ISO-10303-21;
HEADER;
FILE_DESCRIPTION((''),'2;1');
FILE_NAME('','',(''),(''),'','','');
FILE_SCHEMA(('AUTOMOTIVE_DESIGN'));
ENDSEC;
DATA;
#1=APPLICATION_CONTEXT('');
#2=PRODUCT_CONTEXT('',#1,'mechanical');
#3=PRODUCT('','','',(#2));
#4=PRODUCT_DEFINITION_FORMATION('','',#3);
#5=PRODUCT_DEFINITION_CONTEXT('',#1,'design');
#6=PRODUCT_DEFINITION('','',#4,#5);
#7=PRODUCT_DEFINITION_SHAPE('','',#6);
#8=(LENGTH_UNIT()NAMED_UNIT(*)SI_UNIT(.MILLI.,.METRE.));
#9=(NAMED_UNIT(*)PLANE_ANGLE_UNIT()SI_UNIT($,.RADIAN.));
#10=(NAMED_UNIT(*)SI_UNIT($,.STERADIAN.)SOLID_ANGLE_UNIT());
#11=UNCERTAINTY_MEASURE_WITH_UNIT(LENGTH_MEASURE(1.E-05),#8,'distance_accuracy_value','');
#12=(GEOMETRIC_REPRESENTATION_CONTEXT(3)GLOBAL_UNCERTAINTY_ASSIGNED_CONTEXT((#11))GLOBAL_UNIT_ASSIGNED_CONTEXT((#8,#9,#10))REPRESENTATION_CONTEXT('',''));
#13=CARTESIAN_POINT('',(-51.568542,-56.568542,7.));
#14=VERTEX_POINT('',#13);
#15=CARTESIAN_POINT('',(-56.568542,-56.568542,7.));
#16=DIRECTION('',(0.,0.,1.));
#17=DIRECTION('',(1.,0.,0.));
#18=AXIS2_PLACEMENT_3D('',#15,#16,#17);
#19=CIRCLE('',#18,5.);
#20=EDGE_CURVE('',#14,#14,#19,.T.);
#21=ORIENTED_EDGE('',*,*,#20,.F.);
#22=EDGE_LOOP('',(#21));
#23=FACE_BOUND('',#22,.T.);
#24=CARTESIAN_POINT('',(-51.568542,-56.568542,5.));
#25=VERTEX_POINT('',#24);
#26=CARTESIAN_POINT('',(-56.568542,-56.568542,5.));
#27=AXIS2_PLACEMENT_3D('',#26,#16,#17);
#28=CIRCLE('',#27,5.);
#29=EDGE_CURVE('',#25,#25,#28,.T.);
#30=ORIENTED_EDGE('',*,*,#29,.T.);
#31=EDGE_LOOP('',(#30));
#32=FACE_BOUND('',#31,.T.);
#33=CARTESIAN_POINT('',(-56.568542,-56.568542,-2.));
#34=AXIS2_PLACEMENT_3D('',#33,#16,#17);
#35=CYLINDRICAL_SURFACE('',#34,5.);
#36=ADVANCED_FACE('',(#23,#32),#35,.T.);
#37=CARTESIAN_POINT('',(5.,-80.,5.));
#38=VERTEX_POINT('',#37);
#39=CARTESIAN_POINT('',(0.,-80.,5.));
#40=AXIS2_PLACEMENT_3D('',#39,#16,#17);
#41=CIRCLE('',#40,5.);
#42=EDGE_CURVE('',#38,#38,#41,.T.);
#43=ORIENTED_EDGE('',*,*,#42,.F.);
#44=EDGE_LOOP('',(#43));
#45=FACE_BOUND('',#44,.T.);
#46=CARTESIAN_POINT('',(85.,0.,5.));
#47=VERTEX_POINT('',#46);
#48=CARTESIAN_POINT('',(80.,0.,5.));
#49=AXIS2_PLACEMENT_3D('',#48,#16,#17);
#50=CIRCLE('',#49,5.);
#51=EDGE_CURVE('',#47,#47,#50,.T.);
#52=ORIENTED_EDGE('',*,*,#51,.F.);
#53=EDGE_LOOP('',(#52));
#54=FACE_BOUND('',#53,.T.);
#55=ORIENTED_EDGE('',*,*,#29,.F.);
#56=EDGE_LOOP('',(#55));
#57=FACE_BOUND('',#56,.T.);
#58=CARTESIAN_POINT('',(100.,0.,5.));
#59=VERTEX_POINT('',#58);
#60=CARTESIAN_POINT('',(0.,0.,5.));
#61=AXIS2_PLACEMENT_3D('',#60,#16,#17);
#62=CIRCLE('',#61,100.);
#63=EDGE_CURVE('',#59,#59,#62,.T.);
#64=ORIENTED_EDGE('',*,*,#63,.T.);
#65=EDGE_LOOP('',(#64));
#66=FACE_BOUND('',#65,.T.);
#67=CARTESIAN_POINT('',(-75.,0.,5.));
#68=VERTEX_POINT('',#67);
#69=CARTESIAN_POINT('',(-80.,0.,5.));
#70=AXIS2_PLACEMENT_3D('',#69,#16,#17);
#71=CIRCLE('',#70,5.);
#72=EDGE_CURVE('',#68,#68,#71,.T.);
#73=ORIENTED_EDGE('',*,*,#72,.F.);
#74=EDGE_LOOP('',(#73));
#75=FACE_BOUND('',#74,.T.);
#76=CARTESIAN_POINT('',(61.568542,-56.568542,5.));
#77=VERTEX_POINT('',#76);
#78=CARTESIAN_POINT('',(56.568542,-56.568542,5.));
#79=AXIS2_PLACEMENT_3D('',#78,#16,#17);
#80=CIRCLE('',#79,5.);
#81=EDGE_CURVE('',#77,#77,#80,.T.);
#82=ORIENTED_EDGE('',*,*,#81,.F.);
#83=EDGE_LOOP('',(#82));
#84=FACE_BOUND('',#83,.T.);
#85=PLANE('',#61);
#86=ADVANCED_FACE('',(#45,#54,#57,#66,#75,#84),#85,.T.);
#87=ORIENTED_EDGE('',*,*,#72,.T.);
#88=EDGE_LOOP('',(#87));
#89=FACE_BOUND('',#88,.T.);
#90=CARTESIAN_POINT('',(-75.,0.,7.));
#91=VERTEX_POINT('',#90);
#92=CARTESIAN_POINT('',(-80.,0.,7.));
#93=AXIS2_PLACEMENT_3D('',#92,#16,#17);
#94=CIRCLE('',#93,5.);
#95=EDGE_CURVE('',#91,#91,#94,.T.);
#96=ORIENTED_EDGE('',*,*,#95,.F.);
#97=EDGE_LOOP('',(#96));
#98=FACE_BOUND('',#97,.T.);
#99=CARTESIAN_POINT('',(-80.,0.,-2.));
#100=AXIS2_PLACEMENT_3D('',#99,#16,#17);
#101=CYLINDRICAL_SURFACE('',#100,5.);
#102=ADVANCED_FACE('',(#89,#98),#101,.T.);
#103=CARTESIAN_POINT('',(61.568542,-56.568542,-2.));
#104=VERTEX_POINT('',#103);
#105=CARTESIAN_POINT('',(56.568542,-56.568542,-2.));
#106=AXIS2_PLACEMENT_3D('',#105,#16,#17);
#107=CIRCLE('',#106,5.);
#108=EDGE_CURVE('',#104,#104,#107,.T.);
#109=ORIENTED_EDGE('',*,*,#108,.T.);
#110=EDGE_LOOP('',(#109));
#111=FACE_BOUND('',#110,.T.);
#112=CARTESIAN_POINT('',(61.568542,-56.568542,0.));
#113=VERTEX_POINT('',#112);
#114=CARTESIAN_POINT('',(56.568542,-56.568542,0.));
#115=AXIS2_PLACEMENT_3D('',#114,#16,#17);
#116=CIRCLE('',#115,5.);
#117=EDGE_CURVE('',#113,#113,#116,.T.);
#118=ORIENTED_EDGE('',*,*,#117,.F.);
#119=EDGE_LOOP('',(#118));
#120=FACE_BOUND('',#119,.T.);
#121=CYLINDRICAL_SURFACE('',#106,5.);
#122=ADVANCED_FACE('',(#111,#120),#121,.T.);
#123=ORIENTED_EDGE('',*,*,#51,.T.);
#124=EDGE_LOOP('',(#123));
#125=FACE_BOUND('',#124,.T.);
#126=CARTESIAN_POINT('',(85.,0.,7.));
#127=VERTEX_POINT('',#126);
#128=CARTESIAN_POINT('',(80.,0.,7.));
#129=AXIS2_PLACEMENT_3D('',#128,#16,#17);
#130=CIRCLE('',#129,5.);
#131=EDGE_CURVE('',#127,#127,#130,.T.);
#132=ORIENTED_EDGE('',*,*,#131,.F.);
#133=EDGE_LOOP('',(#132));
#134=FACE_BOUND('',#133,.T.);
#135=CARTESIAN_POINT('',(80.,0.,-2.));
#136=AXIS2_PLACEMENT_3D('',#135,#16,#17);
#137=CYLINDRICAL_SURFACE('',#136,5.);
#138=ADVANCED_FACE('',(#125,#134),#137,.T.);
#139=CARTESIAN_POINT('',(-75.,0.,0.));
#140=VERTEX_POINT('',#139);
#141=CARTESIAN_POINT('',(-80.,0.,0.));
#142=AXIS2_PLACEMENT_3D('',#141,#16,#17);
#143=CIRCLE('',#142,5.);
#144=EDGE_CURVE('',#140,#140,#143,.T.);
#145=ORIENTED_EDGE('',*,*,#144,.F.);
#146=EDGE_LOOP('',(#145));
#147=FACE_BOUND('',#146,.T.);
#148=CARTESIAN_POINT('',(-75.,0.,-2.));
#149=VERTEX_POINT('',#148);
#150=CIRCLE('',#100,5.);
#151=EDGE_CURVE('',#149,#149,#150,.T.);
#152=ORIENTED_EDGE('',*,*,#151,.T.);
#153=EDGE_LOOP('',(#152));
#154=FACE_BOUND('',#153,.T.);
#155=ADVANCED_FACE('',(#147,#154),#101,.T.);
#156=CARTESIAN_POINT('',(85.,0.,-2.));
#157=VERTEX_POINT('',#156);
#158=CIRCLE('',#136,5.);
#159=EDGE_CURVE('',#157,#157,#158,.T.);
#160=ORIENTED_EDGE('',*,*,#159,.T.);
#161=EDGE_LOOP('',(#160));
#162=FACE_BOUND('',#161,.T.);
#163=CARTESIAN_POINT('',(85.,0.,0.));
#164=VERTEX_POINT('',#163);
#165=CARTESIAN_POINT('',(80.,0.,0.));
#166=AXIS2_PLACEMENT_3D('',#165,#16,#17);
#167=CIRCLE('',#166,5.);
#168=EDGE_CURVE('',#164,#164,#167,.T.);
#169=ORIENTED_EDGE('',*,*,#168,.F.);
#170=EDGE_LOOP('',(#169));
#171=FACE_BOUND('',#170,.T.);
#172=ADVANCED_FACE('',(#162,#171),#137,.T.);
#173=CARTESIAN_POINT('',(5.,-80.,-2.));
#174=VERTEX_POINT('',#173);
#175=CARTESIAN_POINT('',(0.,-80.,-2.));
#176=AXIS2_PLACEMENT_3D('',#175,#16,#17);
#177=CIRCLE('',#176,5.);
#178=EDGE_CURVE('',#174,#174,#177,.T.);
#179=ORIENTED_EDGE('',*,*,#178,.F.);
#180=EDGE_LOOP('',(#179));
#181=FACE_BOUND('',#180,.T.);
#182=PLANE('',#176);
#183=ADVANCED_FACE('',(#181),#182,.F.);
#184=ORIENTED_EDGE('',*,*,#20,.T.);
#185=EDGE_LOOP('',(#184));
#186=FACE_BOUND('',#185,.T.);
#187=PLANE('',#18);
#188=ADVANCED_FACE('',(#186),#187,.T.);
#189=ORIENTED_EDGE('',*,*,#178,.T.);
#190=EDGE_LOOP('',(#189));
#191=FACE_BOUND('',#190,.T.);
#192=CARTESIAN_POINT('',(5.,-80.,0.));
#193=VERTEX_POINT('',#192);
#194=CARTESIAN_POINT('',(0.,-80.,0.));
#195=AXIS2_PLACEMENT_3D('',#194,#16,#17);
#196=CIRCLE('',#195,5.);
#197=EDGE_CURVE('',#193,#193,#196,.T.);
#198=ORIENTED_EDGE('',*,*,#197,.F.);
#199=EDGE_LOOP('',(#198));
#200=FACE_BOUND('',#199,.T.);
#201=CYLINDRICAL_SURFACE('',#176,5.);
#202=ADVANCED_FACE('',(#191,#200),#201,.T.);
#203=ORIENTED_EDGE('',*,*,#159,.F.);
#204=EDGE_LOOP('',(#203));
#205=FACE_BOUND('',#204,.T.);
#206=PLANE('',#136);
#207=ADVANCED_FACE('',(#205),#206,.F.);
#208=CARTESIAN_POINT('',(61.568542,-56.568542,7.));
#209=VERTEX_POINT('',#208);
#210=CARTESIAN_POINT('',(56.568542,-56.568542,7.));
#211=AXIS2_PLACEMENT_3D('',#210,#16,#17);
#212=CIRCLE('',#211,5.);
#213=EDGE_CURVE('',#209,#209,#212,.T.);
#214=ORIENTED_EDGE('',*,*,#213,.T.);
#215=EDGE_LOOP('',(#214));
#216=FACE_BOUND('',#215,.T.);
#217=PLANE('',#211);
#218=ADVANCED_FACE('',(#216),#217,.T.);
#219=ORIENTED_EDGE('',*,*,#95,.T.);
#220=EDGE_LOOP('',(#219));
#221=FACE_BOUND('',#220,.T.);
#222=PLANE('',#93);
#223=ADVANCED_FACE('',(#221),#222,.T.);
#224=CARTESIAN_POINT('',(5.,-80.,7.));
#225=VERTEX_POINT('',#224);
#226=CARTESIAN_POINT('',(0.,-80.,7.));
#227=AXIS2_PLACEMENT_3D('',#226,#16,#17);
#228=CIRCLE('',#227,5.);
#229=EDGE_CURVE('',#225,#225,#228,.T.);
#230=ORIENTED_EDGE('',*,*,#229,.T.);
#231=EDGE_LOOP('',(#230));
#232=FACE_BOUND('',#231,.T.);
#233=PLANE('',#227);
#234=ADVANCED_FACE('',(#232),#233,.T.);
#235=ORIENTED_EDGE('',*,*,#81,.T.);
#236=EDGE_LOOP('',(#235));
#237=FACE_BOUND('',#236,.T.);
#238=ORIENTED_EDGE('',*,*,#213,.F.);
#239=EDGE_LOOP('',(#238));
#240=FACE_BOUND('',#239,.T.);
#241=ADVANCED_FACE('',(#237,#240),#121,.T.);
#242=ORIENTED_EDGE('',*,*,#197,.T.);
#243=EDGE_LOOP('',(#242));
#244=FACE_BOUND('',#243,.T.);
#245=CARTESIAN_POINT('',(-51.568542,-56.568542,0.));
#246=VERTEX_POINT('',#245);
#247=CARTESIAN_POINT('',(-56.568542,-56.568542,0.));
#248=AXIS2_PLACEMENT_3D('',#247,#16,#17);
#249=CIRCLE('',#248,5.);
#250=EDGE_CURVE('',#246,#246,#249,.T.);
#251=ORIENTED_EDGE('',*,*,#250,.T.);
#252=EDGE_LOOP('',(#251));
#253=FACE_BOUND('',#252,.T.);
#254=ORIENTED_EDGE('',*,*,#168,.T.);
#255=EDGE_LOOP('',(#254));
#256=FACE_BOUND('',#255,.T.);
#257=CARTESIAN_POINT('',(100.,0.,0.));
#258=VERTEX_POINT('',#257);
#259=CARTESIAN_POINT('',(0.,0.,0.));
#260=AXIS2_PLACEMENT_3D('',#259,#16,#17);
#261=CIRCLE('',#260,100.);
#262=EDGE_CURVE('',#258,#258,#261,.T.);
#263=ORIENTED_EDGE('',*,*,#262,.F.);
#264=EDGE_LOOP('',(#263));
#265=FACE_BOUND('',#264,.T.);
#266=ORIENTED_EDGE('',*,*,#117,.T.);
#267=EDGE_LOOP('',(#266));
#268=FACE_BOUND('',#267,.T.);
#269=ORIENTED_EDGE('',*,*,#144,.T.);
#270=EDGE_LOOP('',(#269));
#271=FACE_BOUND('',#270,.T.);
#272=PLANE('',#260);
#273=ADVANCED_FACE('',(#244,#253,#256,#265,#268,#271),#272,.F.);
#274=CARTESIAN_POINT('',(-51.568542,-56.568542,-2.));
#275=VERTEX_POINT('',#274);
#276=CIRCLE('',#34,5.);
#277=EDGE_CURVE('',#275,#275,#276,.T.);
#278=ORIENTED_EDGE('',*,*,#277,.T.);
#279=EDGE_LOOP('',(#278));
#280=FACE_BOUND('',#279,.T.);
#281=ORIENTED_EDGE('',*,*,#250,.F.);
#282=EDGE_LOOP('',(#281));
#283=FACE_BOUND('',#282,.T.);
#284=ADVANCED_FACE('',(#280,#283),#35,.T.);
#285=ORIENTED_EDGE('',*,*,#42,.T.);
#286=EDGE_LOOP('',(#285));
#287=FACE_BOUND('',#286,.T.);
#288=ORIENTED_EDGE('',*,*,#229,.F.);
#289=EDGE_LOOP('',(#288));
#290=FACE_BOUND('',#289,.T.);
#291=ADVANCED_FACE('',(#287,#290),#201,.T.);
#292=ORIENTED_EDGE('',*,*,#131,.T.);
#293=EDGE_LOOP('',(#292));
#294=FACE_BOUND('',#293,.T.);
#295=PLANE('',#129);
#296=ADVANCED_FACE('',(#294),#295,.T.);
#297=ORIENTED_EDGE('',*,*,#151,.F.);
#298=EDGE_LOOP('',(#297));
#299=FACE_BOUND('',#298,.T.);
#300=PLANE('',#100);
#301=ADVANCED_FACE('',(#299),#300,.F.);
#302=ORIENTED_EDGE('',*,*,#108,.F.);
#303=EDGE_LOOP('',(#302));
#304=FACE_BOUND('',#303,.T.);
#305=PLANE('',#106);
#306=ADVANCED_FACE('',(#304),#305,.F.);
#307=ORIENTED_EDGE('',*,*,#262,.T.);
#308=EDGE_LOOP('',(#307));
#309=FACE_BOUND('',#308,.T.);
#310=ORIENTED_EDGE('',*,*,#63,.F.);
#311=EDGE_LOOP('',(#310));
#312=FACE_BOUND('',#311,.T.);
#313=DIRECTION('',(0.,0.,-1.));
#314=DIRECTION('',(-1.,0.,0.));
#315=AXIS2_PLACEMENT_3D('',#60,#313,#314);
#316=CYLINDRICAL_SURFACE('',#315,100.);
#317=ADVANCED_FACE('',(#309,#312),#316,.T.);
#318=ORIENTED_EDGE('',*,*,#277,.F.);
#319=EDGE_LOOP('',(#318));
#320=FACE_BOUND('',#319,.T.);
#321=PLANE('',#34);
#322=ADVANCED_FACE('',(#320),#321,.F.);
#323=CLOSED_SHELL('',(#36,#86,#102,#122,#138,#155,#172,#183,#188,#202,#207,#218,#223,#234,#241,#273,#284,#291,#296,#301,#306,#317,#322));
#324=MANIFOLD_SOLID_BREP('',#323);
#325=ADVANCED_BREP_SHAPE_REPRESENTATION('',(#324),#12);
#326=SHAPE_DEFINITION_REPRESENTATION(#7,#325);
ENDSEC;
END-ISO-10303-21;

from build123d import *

# Parameters (mm, degrees)
SKETCH_1_R           = 100
EXTRUDE_1_DEPTH      = 5
EXTRUDE_2_DEPTH      = 2
EXTRUDE_2_DEPTH_BACK = 7
SKETCH_2_R           = 5


with BuildPart() as part:
    # Эскиз1 → Бобышка-Вытянуть1 (new body)
    with BuildSketch(Plane.XY):
        Circle(SKETCH_1_R)
    extrude(amount=EXTRUDE_1_DEPTH)

    # Эскиз2 → Бобышка-Вытянуть2 (add, two sides: drawn at the far end of the back side and taken through both)
    with BuildSketch(Plane.XY.offset(5).offset(-EXTRUDE_2_DEPTH_BACK)):
        with Locations((-80, 0)):
            Circle(SKETCH_2_R)
        with Locations((-56.568542495, -56.568542495)):
            Circle(SKETCH_2_R)
        with Locations((0, -80)):
            Circle(SKETCH_2_R)
        with Locations((56.568542495, -56.568542495)):
            Circle(SKETCH_2_R)
        with Locations((80, 0)):
            Circle(SKETCH_2_R)
    extrude(amount=EXTRUDE_2_DEPTH + EXTRUDE_2_DEPTH_BACK)


solid = part.part
